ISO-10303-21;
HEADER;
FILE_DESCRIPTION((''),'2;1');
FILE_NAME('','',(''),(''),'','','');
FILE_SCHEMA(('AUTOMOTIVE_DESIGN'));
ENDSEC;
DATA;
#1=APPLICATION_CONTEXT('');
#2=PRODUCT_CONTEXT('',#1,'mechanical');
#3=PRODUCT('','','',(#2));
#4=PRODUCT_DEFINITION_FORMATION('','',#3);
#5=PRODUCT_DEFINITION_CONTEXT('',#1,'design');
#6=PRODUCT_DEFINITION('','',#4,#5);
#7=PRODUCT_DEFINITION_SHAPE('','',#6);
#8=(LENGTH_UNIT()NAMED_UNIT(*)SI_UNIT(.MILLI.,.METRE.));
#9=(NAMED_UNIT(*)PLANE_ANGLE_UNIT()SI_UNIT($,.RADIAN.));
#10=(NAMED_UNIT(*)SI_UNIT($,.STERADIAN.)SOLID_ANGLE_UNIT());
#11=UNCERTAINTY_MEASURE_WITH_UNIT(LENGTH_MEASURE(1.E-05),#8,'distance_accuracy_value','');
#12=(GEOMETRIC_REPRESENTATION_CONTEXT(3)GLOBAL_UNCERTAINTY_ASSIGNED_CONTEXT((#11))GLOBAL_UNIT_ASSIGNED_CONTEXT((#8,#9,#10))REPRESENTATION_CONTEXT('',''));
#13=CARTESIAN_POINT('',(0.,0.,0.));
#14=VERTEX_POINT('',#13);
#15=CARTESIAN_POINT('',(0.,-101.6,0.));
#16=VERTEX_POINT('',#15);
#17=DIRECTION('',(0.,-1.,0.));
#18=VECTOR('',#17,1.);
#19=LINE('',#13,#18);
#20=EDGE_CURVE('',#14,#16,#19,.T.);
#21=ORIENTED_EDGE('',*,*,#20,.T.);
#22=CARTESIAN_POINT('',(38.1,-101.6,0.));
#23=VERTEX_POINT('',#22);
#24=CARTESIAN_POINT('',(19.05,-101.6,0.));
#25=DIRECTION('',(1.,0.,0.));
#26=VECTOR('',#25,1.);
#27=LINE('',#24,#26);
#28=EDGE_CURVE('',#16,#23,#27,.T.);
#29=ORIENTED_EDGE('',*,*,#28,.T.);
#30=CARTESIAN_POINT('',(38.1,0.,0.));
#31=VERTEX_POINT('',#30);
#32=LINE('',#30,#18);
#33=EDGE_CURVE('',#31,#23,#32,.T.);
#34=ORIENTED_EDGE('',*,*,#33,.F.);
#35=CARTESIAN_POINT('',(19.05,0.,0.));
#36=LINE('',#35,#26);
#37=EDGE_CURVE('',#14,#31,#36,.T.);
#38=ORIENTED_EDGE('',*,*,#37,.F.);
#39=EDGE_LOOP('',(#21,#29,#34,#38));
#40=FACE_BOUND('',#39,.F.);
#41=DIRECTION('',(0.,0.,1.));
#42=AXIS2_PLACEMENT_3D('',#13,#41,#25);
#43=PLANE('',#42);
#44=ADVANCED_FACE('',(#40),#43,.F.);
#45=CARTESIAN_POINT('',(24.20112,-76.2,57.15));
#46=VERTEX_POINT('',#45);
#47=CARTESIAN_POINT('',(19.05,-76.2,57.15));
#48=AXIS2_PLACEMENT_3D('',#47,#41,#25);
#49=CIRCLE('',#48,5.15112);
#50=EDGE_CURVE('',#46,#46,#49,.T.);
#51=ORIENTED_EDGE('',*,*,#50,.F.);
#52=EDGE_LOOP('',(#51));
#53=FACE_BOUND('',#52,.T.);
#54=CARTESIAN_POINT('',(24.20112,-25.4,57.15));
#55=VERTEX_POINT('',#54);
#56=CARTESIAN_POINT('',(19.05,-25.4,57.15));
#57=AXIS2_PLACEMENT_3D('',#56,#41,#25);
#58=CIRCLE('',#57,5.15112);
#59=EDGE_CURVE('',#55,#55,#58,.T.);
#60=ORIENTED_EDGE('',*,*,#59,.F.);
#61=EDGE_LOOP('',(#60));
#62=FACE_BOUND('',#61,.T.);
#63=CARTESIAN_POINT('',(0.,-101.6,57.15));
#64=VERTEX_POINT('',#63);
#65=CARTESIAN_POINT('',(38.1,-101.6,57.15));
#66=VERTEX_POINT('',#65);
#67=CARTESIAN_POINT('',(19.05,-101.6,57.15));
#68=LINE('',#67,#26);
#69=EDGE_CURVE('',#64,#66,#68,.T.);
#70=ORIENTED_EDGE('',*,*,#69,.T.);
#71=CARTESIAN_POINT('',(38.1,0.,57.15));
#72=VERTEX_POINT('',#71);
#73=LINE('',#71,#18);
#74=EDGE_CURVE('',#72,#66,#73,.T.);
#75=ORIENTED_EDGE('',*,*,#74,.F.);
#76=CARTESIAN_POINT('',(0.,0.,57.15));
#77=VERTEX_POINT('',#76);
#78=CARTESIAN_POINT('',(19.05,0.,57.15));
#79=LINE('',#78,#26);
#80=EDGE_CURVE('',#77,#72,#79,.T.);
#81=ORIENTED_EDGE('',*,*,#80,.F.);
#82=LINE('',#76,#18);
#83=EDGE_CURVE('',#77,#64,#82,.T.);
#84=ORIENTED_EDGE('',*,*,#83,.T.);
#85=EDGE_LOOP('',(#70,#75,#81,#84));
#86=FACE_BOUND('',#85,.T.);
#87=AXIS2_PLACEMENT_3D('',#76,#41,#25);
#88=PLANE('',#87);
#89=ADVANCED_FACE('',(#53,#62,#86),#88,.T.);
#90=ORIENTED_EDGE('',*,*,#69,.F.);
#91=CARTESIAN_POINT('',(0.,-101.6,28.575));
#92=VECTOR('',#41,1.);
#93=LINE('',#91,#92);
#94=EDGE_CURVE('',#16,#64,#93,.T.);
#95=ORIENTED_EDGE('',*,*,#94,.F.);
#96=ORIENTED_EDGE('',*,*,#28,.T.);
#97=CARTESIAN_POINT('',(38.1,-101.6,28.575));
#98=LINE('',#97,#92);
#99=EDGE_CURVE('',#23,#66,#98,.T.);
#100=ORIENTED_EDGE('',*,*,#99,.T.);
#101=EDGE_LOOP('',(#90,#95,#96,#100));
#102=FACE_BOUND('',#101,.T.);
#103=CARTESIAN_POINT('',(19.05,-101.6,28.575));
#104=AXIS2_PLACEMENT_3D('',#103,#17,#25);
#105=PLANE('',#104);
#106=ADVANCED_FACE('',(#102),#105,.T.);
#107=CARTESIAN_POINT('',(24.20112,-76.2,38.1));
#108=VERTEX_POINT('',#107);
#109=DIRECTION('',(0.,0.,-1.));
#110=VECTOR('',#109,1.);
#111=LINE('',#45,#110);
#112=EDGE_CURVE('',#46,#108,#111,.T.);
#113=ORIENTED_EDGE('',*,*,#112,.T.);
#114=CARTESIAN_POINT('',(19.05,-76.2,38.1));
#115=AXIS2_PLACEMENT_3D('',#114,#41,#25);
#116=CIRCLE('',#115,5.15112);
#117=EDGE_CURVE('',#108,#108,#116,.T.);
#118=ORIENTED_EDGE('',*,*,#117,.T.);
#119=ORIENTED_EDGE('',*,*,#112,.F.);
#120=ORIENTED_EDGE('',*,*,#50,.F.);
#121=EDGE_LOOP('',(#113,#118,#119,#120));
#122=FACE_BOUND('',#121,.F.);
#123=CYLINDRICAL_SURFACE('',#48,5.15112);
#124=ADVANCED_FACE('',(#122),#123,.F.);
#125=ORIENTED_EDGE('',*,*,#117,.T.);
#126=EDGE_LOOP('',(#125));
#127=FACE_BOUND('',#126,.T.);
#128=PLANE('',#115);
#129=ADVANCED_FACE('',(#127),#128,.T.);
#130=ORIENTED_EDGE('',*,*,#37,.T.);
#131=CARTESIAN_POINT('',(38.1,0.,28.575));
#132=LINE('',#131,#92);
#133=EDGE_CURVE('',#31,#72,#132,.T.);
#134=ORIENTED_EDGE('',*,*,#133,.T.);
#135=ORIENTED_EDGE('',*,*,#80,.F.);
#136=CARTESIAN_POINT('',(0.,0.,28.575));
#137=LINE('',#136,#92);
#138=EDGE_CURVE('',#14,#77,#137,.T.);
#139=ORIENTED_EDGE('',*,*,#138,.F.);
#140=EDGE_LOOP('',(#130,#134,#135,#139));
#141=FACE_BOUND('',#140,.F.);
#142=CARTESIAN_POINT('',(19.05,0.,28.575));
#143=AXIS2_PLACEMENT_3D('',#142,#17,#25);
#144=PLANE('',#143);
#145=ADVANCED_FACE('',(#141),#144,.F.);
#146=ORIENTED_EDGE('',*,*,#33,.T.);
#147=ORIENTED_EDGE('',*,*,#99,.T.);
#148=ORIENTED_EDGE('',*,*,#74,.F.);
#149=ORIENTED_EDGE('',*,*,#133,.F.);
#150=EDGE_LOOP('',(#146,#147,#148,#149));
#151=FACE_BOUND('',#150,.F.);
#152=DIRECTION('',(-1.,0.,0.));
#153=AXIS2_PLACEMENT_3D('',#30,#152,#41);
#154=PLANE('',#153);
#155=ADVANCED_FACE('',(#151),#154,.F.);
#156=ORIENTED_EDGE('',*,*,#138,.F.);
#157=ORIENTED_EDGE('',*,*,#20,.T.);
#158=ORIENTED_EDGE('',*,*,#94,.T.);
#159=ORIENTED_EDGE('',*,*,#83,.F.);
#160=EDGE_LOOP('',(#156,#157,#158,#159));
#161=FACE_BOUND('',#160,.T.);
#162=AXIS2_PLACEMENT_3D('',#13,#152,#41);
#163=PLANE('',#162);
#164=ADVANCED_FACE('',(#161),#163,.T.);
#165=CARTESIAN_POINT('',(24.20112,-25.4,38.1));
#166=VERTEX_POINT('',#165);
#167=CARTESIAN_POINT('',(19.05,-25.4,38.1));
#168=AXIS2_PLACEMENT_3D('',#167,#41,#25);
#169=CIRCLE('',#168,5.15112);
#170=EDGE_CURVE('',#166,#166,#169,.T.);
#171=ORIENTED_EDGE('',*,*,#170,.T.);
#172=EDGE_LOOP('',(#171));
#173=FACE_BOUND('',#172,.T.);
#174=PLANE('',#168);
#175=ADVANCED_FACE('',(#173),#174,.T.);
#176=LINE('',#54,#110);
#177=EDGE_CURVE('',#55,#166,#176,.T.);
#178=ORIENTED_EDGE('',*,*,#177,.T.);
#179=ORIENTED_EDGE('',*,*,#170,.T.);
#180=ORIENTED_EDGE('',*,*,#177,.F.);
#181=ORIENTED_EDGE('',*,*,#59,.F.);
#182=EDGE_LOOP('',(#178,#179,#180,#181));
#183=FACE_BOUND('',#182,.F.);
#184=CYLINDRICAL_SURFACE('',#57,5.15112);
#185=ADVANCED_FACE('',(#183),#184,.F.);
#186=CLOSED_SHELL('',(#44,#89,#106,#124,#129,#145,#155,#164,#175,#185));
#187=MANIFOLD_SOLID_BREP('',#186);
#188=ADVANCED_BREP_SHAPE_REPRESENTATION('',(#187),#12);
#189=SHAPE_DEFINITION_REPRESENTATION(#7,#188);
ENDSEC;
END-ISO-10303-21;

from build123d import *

# Parameters (mm, degrees)
F0_W     = 38.1
F0_H     = 57.15
F1_DEPTH = 101.6
F2_R     = 5.15112
F3_DEPTH = 19.05


with BuildPart() as f1:
    # F0 (on Front) → F1 (new body)
    with BuildSketch(Plane.XZ):
        with Locations((19.05, 28.575)):
            Rectangle(F0_W, F0_H)
    extrude(amount=F1_DEPTH)

    # F2 (on face) → F3 (cut)
    with BuildSketch(Plane.XY.offset(57.15)):
        with Locations((19.05, -25.4)):
            Circle(F2_R)
        with Locations((19.05, -76.2)):
            Circle(F2_R)
    extrude(amount=-F3_DEPTH, mode=Mode.SUBTRACT)


solid = f1.part
